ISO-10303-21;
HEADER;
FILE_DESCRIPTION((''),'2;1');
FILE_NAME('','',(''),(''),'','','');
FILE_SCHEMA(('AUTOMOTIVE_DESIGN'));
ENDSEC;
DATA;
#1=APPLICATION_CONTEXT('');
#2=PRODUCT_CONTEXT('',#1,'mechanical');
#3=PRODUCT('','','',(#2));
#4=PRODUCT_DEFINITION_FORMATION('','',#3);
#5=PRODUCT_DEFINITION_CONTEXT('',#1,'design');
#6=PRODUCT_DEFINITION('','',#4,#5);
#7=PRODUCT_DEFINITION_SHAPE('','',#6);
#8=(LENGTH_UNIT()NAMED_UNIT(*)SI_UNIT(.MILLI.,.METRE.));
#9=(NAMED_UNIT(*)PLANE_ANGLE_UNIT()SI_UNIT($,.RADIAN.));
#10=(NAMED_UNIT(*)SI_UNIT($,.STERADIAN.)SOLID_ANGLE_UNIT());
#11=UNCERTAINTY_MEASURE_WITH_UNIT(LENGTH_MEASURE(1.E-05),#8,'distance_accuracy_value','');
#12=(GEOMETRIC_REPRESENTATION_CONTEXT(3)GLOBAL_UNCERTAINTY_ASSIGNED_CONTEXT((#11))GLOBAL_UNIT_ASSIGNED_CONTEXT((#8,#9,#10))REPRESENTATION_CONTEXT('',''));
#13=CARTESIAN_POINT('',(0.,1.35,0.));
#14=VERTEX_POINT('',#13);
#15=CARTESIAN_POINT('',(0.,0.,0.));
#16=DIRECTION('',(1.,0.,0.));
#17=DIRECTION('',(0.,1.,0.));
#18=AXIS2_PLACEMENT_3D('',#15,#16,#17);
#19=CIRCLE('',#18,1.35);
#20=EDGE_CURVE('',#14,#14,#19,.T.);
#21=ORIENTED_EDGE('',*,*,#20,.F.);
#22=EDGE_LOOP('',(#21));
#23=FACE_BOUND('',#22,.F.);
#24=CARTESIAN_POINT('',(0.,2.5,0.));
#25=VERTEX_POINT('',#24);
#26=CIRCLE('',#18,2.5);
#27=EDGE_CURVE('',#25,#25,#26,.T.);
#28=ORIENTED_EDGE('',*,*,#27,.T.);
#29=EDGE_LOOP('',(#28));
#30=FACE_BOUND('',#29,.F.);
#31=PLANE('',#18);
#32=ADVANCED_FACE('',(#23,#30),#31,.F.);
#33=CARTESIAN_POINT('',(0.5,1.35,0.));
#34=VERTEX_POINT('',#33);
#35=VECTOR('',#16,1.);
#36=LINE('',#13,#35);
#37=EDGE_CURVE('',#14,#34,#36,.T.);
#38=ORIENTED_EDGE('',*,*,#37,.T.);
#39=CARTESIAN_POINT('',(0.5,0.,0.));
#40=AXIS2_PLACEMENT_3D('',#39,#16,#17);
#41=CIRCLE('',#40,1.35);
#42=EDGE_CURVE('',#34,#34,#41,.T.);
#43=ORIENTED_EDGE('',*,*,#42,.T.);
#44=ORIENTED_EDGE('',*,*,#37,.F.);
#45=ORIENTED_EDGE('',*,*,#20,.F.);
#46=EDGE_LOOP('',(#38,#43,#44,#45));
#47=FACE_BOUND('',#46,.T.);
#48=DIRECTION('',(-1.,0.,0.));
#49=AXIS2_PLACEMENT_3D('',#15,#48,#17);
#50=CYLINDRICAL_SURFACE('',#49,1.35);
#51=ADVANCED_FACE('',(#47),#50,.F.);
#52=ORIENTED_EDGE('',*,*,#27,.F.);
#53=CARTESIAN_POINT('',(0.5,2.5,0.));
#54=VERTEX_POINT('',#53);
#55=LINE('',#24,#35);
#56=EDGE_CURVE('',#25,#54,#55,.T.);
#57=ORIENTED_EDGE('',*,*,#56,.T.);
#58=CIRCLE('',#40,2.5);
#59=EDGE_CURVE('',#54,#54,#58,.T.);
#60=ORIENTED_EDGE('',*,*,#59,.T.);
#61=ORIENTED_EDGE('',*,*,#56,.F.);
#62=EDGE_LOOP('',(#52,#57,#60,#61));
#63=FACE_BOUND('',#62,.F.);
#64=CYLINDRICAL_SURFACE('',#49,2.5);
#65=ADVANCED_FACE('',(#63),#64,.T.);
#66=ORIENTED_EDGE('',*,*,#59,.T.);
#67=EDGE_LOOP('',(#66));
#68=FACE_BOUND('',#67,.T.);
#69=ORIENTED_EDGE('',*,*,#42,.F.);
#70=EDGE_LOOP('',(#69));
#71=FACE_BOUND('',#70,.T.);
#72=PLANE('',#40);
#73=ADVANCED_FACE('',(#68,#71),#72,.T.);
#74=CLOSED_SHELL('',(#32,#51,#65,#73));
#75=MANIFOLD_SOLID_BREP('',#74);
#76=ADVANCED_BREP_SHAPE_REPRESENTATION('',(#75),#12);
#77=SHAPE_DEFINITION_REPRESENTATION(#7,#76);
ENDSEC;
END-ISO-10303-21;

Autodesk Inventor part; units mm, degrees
ref_plane "YZ Plane" through (0, 0, 0) normal (1, 0, 0) x (0, 1, 0)
ref_plane "XZ Plane" through (0, 0, 0) normal (0, 1, 0) x (-1, 0, 0)
sketch "Szkic" plane through (0, 0, 0) normal (1, 0, 0) x (0, 1, 0)
  circle A0 centre (0, 0) radius 2.5
  circle A1 centre (0, 0) radius 1.35
  dimension "d0" = 2.7
  dimension "d1" = 5
extrude "Bryła" add sketch "Szkic" along normal blind 0.5
ref_plane "Work Plane1" through (0, 0, 0) normal (0, 0, 1) x (1, 0, 0)
equation "\"d0\" = SD1"
equation "\"d1\" = SD2"
equation "\"d2\" = SD"
equation "\"SD1\" = 2.7"
equation "\"SD2\" = 5"
equation "\"SD\" = 0.5"
equation "\"NND\" = 2.5"
properties part number "AS 1237 - 2,5" material "Stal, miękka"
